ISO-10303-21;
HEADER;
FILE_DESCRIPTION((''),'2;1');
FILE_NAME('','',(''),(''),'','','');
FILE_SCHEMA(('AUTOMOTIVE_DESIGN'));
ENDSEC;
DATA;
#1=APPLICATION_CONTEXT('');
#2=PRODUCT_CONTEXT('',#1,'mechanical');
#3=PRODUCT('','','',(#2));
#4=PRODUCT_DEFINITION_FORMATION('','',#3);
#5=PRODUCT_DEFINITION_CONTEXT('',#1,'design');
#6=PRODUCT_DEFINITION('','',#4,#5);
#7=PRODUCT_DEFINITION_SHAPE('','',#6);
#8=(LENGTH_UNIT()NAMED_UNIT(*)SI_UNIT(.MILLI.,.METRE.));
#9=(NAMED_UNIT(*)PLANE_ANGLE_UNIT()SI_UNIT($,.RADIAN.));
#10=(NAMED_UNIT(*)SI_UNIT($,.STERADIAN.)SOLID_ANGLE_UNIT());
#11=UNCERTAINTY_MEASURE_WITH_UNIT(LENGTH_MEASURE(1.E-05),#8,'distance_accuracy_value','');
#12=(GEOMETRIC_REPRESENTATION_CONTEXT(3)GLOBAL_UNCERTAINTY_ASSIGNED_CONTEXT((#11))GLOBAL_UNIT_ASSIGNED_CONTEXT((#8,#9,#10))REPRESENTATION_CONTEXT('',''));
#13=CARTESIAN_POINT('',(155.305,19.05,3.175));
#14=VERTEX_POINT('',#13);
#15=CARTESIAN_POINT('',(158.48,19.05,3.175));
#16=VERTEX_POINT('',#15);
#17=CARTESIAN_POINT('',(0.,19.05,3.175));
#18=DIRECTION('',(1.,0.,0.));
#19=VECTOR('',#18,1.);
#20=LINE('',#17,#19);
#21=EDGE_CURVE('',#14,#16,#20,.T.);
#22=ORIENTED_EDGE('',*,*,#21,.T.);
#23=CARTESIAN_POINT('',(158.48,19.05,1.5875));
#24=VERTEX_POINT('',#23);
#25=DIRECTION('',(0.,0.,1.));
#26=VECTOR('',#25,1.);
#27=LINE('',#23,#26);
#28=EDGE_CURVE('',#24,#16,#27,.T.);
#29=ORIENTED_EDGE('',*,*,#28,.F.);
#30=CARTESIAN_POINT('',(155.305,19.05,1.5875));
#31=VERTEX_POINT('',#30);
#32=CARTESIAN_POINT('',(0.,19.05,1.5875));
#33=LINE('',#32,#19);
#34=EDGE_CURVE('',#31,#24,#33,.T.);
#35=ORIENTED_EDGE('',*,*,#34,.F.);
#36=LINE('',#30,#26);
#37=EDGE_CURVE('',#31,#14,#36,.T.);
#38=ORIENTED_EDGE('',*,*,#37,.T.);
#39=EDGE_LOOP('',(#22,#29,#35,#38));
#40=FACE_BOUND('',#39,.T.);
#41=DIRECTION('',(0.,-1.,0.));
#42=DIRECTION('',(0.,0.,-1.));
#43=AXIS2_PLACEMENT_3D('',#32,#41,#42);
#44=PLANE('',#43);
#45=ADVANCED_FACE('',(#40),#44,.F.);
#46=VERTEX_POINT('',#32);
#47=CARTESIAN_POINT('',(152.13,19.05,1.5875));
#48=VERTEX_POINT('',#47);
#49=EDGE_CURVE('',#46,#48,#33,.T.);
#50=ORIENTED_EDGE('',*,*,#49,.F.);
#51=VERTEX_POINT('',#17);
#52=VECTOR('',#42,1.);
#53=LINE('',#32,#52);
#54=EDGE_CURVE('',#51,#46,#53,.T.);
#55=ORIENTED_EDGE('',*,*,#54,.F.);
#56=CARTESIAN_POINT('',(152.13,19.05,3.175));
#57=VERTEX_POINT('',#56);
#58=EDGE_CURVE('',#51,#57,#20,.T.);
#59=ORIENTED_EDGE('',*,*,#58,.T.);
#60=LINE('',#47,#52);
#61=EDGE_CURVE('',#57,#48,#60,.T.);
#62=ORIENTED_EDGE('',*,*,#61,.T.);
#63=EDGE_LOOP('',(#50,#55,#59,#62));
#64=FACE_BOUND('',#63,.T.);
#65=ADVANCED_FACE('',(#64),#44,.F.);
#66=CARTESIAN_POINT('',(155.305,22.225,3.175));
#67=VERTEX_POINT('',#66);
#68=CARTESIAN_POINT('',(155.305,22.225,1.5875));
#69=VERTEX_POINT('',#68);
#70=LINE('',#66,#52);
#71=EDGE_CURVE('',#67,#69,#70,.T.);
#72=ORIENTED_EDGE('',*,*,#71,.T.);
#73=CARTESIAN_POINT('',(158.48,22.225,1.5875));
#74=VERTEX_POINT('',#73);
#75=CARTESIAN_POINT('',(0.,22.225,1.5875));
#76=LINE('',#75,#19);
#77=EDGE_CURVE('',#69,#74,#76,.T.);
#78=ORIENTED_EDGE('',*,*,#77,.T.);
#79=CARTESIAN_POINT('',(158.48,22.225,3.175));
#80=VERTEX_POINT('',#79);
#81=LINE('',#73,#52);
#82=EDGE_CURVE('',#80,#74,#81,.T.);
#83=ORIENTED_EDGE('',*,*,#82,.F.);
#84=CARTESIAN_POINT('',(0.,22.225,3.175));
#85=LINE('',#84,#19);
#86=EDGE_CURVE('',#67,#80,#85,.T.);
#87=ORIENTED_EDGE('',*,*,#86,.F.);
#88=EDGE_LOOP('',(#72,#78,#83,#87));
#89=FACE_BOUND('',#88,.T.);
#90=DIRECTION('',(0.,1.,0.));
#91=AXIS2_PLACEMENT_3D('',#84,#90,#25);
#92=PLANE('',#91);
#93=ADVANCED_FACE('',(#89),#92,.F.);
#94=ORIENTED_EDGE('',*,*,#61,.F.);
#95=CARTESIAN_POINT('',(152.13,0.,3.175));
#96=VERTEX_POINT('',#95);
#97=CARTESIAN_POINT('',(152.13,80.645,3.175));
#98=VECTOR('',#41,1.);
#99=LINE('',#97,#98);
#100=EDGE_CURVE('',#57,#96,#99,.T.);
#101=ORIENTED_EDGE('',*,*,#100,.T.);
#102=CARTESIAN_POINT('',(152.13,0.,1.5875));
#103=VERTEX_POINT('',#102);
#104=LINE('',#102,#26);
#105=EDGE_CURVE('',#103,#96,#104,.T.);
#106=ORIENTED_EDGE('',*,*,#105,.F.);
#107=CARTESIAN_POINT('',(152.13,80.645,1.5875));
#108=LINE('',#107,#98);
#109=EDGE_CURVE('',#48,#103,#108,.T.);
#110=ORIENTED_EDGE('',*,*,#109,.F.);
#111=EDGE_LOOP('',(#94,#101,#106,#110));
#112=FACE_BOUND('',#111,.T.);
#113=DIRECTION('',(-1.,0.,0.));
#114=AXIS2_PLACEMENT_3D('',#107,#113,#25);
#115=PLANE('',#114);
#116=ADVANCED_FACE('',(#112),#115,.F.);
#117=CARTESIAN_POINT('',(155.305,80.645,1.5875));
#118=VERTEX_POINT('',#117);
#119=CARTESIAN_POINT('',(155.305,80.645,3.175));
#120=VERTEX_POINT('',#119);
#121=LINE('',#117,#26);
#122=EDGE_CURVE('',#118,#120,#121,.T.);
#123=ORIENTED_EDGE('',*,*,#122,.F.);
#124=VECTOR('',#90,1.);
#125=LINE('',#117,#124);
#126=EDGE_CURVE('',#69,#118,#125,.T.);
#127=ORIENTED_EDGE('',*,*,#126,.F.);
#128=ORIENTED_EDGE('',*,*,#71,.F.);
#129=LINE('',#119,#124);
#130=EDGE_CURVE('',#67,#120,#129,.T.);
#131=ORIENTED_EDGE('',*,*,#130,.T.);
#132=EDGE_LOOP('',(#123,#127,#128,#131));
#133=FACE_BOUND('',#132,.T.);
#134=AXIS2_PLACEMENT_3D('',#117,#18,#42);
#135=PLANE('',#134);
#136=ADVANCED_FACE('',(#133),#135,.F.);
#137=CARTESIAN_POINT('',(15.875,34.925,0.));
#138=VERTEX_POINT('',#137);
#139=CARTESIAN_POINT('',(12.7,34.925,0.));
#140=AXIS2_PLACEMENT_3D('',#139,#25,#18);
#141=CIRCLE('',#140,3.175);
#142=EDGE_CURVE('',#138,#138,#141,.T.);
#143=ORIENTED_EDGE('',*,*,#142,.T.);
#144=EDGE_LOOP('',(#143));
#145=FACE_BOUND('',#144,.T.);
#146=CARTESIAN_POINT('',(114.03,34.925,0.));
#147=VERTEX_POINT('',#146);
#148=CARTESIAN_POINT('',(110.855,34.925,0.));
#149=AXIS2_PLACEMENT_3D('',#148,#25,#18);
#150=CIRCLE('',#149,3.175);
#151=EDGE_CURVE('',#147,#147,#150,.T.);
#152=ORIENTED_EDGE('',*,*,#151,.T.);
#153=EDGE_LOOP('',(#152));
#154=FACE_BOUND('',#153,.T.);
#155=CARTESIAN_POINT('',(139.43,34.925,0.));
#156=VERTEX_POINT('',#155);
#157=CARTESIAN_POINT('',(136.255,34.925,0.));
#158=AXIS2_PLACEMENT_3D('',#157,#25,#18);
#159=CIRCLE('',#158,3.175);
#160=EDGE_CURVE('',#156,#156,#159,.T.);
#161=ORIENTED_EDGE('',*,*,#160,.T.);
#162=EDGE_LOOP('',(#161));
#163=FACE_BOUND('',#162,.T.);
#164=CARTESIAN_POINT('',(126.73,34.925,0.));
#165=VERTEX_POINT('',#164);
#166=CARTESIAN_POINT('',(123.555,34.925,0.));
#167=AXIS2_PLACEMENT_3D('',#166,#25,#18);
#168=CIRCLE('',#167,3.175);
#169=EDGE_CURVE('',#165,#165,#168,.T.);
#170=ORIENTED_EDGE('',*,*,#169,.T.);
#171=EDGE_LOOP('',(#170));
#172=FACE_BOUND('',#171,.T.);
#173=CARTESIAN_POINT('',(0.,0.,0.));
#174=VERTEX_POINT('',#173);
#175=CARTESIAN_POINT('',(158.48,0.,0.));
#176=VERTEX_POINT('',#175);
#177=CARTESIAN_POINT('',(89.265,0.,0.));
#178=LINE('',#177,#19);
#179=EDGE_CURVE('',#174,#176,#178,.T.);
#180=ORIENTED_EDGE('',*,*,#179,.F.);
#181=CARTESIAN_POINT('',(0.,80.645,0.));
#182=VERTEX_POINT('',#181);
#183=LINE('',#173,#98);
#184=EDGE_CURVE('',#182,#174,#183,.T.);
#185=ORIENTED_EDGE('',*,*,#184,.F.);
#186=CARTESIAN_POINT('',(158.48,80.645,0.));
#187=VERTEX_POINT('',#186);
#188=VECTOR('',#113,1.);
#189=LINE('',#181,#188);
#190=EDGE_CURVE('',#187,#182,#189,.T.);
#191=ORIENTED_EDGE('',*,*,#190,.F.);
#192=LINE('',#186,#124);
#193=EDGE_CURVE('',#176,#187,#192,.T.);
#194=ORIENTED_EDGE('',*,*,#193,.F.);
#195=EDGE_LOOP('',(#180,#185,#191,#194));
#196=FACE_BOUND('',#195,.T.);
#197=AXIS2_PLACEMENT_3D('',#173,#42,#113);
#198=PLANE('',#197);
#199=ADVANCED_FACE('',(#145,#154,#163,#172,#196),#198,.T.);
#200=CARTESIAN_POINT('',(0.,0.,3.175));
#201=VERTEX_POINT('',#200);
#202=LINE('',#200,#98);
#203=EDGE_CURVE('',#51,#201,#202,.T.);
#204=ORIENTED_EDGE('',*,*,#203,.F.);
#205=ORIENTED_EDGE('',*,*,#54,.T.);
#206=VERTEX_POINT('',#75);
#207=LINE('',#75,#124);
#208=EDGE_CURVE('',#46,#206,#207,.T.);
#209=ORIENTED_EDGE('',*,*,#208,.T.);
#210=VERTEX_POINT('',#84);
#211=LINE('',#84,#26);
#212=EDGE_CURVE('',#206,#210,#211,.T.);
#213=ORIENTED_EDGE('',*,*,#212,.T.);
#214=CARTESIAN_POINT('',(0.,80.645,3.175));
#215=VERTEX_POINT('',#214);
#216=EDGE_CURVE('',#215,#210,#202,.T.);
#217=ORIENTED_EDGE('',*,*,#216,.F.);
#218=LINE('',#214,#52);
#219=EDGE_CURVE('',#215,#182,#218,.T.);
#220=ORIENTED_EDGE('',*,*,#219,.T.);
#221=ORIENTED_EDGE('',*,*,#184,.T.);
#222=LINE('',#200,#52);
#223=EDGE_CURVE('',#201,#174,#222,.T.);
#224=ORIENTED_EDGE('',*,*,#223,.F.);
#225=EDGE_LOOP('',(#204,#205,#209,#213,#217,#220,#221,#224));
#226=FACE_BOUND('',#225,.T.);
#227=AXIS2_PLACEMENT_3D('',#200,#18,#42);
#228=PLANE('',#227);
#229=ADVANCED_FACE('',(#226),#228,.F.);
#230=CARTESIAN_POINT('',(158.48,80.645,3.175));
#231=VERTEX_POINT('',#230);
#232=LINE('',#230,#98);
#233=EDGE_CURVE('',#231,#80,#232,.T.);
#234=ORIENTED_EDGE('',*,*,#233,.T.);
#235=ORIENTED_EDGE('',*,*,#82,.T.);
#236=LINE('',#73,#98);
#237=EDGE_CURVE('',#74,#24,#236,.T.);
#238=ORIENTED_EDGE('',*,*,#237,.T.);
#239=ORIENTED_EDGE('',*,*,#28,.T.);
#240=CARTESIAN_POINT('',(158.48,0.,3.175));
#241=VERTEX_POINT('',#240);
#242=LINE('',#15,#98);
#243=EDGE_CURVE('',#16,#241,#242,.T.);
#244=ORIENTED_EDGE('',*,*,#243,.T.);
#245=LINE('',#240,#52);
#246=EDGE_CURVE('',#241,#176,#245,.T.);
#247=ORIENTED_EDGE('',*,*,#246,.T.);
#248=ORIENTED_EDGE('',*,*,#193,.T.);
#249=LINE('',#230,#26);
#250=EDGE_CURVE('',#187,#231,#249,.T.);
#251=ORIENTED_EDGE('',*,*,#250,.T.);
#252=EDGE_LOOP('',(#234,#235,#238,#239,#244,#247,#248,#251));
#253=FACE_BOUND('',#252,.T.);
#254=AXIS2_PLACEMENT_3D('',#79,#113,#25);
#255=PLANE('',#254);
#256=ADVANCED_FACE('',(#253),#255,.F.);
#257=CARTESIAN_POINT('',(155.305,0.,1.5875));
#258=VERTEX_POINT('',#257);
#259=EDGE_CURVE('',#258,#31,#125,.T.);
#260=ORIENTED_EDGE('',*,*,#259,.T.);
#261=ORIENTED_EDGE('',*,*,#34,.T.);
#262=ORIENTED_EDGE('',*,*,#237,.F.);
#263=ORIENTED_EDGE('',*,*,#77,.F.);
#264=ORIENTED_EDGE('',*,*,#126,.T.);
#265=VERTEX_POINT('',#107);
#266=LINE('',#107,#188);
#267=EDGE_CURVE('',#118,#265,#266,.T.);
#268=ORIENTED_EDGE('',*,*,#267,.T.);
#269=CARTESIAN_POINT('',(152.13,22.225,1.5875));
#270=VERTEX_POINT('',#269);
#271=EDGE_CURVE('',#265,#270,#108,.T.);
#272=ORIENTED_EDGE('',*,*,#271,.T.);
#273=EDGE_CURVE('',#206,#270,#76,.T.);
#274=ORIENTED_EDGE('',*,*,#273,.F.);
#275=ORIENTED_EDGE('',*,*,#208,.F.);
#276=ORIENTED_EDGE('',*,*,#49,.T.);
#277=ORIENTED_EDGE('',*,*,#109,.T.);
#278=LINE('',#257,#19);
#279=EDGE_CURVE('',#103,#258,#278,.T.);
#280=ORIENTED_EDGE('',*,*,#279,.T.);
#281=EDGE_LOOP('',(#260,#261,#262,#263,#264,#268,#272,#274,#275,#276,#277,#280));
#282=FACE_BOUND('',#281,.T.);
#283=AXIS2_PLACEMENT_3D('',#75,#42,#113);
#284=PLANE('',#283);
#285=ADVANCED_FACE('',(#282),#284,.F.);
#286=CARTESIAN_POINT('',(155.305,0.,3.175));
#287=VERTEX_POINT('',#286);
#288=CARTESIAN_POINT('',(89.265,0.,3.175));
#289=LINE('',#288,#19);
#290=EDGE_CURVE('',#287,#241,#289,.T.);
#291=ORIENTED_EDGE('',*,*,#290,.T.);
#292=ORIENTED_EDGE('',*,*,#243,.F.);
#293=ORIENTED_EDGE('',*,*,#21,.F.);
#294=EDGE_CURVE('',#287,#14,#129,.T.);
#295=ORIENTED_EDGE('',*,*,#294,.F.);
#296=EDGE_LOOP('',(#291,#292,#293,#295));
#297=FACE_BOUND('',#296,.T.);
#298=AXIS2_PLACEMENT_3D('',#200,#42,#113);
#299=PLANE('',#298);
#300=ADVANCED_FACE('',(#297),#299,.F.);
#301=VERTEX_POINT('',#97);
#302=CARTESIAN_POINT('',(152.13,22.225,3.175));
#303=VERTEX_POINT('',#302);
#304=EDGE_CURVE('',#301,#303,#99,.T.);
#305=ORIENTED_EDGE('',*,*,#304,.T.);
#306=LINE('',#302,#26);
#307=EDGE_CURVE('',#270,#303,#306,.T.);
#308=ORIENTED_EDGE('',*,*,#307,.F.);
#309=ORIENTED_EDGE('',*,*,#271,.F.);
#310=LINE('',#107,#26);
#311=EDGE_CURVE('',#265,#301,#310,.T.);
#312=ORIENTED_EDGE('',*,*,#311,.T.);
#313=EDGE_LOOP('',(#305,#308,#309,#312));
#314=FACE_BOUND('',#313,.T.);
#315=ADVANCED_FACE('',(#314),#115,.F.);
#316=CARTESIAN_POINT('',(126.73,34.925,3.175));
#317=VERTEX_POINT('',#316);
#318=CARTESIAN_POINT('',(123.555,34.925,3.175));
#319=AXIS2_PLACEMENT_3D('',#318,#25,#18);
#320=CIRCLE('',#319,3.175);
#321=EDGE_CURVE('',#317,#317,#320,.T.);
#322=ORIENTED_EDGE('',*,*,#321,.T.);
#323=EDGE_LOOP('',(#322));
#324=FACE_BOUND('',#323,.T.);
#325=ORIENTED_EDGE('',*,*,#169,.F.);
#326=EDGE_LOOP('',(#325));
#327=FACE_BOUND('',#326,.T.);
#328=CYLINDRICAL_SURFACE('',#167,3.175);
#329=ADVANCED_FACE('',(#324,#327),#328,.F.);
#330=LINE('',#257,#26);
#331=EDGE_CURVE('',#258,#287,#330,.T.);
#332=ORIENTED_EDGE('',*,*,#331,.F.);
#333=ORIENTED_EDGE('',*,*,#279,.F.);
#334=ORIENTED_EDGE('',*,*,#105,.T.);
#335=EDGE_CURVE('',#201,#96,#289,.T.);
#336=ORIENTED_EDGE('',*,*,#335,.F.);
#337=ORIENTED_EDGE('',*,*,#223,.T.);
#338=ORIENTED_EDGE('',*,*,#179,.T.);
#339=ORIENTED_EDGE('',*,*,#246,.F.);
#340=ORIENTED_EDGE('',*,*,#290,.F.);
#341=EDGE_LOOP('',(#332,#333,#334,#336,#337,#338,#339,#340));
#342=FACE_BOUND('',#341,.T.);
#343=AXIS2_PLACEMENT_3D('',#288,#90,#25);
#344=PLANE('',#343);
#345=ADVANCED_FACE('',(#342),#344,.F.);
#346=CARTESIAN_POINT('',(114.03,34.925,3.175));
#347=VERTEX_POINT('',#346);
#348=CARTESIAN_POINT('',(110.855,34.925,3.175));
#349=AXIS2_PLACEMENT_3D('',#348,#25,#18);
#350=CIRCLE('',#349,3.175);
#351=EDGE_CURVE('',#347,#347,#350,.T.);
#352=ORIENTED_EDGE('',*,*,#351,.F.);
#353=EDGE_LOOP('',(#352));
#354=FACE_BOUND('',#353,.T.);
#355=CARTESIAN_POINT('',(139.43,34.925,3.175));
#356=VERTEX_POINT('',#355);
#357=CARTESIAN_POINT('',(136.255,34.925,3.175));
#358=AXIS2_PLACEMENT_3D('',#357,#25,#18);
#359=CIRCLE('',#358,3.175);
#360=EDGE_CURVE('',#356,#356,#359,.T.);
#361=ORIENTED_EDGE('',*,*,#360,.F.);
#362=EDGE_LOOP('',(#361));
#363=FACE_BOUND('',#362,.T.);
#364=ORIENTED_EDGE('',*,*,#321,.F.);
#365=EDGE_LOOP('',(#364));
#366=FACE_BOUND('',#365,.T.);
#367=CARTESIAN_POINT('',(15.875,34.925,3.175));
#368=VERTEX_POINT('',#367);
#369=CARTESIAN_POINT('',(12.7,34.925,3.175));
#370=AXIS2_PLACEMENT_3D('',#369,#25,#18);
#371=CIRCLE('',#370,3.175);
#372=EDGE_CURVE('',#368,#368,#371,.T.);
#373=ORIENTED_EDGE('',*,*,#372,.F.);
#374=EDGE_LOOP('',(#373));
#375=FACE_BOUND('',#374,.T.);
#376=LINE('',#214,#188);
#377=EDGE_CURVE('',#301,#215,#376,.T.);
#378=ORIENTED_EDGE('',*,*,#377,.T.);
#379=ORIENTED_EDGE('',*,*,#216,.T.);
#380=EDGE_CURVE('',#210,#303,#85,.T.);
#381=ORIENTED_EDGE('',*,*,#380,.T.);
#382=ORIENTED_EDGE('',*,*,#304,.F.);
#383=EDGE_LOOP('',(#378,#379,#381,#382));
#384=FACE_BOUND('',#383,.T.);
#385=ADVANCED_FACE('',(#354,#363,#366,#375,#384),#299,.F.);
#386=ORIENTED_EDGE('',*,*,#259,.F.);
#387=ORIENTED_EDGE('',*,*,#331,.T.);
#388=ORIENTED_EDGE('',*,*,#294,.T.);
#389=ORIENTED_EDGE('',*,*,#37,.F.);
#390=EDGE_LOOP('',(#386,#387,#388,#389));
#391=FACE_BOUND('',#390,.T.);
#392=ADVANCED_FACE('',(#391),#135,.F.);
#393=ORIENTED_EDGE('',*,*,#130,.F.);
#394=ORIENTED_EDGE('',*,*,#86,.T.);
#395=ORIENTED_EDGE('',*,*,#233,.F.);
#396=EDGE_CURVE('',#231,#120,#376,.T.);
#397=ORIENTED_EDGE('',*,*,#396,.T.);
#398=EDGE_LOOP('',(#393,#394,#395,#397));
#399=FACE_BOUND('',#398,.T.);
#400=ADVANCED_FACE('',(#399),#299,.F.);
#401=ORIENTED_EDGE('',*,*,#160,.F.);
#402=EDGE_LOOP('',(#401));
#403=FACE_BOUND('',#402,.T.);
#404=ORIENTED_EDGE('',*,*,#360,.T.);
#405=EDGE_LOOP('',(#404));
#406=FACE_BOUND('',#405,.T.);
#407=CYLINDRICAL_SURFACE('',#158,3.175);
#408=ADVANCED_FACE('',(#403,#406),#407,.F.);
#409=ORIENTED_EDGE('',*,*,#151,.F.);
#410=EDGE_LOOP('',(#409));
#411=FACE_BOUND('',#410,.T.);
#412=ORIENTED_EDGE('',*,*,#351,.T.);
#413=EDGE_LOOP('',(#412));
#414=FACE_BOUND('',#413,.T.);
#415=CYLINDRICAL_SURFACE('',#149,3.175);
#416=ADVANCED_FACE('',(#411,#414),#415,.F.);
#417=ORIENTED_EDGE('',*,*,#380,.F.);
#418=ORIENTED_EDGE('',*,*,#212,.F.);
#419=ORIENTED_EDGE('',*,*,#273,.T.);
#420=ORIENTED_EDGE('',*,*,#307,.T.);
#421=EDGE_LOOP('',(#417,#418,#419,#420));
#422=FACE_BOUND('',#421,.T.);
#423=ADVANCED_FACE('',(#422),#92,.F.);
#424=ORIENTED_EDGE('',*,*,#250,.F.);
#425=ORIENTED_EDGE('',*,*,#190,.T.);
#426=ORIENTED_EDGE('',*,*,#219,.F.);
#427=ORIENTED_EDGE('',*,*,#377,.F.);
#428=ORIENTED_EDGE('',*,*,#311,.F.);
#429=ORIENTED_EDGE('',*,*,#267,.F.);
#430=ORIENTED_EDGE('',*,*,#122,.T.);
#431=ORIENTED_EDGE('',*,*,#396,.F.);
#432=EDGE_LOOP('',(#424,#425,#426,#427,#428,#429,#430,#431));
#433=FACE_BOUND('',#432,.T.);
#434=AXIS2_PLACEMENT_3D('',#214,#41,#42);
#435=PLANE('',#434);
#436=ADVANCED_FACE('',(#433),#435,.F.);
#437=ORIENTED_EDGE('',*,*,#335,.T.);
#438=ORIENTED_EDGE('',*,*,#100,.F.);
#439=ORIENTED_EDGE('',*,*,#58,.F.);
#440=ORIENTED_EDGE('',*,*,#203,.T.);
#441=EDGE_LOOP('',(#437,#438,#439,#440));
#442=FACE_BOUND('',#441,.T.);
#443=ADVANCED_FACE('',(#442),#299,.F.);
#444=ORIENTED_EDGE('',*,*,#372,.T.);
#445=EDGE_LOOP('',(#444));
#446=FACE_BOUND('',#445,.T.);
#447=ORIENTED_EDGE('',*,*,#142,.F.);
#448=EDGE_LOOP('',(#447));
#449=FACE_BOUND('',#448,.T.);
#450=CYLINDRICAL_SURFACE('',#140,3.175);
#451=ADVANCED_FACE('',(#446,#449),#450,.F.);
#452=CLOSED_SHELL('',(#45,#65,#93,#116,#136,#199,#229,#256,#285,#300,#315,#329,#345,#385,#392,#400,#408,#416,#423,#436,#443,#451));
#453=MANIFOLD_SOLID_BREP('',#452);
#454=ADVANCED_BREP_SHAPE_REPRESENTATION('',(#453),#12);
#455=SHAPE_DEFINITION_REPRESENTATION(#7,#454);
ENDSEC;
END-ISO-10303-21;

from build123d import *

# Parameters (mm, degrees)
BOSS_EXTRUDE1_DEPTH = 3.175
SKETCH2_W           = 1.5875
SKETCH2_H           = 3.175
CUT_EXTRUDE1_DEPTH  = 170.414546822
SKETCH3_R           = 3.175
CUT_EXTRUDE2_DEPTH  = 170.414546822
BOSS_EXTRUDE2_DEPTH = 9.525
SKETCH5_W           = 3.175
SKETCH5_H           = 80.645
CUT_EXTRUDE3_DEPTH  = 1.5875


with BuildPart() as part:
    # Sketch1 → Boss-Extrude1 (new body)
    with BuildSketch(Plane.XY):
        Polygon((89.265, 0), (148.955, 0), (148.955, 80.645), (0, 80.645), (0, 0), align=None)
    extrude(amount=BOSS_EXTRUDE1_DEPTH)

    # Sketch2 → Cut-Extrude1 (cut, through all)
    with BuildSketch(Plane(origin=(148.955, 0, 0), x_dir=(0, 0, -1), z_dir=(1, 0, 0))):
        with Locations((-2.38125, 20.6375)):
            Rectangle(SKETCH2_W, SKETCH2_H)
    extrude(amount=-CUT_EXTRUDE1_DEPTH, mode=Mode.SUBTRACT)

    # Sketch3 → Cut-Extrude2 (cut, through all)
    with BuildSketch(Plane.XY.offset(3.175)):
        with Locations((12.7, 34.925)):
            Circle(SKETCH3_R)
        with Locations((136.255, 34.925)):
            Circle(SKETCH3_R)
        with Locations((123.555, 34.925)):
            Circle(SKETCH3_R)
        with Locations((110.855, 34.925)):
            Circle(SKETCH3_R)
    extrude(amount=-CUT_EXTRUDE2_DEPTH, mode=Mode.SUBTRACT)

    # Sketch4 → Boss-Extrude2 (add)
    with BuildSketch(Plane(origin=(148.955, 0, 0), x_dir=(0, 0, -1), z_dir=(1, 0, 0))):
        Polygon((-3.175, 19.05), (-3.175, 0), (0, 0), (0, 80.645), (-3.175, 80.645), (-3.175, 22.225), (-1.5875, 22.225), (-1.5875, 19.05), align=None)
    extrude(amount=BOSS_EXTRUDE2_DEPTH)

    # Sketch5 → Cut-Extrude3 (cut)
    with BuildSketch(Plane.XY.offset(3.175)):
        with Locations((153.7175, 40.3225)):
            Rectangle(SKETCH5_W, SKETCH5_H)
    extrude(amount=-CUT_EXTRUDE3_DEPTH, mode=Mode.SUBTRACT)


solid = part.part
